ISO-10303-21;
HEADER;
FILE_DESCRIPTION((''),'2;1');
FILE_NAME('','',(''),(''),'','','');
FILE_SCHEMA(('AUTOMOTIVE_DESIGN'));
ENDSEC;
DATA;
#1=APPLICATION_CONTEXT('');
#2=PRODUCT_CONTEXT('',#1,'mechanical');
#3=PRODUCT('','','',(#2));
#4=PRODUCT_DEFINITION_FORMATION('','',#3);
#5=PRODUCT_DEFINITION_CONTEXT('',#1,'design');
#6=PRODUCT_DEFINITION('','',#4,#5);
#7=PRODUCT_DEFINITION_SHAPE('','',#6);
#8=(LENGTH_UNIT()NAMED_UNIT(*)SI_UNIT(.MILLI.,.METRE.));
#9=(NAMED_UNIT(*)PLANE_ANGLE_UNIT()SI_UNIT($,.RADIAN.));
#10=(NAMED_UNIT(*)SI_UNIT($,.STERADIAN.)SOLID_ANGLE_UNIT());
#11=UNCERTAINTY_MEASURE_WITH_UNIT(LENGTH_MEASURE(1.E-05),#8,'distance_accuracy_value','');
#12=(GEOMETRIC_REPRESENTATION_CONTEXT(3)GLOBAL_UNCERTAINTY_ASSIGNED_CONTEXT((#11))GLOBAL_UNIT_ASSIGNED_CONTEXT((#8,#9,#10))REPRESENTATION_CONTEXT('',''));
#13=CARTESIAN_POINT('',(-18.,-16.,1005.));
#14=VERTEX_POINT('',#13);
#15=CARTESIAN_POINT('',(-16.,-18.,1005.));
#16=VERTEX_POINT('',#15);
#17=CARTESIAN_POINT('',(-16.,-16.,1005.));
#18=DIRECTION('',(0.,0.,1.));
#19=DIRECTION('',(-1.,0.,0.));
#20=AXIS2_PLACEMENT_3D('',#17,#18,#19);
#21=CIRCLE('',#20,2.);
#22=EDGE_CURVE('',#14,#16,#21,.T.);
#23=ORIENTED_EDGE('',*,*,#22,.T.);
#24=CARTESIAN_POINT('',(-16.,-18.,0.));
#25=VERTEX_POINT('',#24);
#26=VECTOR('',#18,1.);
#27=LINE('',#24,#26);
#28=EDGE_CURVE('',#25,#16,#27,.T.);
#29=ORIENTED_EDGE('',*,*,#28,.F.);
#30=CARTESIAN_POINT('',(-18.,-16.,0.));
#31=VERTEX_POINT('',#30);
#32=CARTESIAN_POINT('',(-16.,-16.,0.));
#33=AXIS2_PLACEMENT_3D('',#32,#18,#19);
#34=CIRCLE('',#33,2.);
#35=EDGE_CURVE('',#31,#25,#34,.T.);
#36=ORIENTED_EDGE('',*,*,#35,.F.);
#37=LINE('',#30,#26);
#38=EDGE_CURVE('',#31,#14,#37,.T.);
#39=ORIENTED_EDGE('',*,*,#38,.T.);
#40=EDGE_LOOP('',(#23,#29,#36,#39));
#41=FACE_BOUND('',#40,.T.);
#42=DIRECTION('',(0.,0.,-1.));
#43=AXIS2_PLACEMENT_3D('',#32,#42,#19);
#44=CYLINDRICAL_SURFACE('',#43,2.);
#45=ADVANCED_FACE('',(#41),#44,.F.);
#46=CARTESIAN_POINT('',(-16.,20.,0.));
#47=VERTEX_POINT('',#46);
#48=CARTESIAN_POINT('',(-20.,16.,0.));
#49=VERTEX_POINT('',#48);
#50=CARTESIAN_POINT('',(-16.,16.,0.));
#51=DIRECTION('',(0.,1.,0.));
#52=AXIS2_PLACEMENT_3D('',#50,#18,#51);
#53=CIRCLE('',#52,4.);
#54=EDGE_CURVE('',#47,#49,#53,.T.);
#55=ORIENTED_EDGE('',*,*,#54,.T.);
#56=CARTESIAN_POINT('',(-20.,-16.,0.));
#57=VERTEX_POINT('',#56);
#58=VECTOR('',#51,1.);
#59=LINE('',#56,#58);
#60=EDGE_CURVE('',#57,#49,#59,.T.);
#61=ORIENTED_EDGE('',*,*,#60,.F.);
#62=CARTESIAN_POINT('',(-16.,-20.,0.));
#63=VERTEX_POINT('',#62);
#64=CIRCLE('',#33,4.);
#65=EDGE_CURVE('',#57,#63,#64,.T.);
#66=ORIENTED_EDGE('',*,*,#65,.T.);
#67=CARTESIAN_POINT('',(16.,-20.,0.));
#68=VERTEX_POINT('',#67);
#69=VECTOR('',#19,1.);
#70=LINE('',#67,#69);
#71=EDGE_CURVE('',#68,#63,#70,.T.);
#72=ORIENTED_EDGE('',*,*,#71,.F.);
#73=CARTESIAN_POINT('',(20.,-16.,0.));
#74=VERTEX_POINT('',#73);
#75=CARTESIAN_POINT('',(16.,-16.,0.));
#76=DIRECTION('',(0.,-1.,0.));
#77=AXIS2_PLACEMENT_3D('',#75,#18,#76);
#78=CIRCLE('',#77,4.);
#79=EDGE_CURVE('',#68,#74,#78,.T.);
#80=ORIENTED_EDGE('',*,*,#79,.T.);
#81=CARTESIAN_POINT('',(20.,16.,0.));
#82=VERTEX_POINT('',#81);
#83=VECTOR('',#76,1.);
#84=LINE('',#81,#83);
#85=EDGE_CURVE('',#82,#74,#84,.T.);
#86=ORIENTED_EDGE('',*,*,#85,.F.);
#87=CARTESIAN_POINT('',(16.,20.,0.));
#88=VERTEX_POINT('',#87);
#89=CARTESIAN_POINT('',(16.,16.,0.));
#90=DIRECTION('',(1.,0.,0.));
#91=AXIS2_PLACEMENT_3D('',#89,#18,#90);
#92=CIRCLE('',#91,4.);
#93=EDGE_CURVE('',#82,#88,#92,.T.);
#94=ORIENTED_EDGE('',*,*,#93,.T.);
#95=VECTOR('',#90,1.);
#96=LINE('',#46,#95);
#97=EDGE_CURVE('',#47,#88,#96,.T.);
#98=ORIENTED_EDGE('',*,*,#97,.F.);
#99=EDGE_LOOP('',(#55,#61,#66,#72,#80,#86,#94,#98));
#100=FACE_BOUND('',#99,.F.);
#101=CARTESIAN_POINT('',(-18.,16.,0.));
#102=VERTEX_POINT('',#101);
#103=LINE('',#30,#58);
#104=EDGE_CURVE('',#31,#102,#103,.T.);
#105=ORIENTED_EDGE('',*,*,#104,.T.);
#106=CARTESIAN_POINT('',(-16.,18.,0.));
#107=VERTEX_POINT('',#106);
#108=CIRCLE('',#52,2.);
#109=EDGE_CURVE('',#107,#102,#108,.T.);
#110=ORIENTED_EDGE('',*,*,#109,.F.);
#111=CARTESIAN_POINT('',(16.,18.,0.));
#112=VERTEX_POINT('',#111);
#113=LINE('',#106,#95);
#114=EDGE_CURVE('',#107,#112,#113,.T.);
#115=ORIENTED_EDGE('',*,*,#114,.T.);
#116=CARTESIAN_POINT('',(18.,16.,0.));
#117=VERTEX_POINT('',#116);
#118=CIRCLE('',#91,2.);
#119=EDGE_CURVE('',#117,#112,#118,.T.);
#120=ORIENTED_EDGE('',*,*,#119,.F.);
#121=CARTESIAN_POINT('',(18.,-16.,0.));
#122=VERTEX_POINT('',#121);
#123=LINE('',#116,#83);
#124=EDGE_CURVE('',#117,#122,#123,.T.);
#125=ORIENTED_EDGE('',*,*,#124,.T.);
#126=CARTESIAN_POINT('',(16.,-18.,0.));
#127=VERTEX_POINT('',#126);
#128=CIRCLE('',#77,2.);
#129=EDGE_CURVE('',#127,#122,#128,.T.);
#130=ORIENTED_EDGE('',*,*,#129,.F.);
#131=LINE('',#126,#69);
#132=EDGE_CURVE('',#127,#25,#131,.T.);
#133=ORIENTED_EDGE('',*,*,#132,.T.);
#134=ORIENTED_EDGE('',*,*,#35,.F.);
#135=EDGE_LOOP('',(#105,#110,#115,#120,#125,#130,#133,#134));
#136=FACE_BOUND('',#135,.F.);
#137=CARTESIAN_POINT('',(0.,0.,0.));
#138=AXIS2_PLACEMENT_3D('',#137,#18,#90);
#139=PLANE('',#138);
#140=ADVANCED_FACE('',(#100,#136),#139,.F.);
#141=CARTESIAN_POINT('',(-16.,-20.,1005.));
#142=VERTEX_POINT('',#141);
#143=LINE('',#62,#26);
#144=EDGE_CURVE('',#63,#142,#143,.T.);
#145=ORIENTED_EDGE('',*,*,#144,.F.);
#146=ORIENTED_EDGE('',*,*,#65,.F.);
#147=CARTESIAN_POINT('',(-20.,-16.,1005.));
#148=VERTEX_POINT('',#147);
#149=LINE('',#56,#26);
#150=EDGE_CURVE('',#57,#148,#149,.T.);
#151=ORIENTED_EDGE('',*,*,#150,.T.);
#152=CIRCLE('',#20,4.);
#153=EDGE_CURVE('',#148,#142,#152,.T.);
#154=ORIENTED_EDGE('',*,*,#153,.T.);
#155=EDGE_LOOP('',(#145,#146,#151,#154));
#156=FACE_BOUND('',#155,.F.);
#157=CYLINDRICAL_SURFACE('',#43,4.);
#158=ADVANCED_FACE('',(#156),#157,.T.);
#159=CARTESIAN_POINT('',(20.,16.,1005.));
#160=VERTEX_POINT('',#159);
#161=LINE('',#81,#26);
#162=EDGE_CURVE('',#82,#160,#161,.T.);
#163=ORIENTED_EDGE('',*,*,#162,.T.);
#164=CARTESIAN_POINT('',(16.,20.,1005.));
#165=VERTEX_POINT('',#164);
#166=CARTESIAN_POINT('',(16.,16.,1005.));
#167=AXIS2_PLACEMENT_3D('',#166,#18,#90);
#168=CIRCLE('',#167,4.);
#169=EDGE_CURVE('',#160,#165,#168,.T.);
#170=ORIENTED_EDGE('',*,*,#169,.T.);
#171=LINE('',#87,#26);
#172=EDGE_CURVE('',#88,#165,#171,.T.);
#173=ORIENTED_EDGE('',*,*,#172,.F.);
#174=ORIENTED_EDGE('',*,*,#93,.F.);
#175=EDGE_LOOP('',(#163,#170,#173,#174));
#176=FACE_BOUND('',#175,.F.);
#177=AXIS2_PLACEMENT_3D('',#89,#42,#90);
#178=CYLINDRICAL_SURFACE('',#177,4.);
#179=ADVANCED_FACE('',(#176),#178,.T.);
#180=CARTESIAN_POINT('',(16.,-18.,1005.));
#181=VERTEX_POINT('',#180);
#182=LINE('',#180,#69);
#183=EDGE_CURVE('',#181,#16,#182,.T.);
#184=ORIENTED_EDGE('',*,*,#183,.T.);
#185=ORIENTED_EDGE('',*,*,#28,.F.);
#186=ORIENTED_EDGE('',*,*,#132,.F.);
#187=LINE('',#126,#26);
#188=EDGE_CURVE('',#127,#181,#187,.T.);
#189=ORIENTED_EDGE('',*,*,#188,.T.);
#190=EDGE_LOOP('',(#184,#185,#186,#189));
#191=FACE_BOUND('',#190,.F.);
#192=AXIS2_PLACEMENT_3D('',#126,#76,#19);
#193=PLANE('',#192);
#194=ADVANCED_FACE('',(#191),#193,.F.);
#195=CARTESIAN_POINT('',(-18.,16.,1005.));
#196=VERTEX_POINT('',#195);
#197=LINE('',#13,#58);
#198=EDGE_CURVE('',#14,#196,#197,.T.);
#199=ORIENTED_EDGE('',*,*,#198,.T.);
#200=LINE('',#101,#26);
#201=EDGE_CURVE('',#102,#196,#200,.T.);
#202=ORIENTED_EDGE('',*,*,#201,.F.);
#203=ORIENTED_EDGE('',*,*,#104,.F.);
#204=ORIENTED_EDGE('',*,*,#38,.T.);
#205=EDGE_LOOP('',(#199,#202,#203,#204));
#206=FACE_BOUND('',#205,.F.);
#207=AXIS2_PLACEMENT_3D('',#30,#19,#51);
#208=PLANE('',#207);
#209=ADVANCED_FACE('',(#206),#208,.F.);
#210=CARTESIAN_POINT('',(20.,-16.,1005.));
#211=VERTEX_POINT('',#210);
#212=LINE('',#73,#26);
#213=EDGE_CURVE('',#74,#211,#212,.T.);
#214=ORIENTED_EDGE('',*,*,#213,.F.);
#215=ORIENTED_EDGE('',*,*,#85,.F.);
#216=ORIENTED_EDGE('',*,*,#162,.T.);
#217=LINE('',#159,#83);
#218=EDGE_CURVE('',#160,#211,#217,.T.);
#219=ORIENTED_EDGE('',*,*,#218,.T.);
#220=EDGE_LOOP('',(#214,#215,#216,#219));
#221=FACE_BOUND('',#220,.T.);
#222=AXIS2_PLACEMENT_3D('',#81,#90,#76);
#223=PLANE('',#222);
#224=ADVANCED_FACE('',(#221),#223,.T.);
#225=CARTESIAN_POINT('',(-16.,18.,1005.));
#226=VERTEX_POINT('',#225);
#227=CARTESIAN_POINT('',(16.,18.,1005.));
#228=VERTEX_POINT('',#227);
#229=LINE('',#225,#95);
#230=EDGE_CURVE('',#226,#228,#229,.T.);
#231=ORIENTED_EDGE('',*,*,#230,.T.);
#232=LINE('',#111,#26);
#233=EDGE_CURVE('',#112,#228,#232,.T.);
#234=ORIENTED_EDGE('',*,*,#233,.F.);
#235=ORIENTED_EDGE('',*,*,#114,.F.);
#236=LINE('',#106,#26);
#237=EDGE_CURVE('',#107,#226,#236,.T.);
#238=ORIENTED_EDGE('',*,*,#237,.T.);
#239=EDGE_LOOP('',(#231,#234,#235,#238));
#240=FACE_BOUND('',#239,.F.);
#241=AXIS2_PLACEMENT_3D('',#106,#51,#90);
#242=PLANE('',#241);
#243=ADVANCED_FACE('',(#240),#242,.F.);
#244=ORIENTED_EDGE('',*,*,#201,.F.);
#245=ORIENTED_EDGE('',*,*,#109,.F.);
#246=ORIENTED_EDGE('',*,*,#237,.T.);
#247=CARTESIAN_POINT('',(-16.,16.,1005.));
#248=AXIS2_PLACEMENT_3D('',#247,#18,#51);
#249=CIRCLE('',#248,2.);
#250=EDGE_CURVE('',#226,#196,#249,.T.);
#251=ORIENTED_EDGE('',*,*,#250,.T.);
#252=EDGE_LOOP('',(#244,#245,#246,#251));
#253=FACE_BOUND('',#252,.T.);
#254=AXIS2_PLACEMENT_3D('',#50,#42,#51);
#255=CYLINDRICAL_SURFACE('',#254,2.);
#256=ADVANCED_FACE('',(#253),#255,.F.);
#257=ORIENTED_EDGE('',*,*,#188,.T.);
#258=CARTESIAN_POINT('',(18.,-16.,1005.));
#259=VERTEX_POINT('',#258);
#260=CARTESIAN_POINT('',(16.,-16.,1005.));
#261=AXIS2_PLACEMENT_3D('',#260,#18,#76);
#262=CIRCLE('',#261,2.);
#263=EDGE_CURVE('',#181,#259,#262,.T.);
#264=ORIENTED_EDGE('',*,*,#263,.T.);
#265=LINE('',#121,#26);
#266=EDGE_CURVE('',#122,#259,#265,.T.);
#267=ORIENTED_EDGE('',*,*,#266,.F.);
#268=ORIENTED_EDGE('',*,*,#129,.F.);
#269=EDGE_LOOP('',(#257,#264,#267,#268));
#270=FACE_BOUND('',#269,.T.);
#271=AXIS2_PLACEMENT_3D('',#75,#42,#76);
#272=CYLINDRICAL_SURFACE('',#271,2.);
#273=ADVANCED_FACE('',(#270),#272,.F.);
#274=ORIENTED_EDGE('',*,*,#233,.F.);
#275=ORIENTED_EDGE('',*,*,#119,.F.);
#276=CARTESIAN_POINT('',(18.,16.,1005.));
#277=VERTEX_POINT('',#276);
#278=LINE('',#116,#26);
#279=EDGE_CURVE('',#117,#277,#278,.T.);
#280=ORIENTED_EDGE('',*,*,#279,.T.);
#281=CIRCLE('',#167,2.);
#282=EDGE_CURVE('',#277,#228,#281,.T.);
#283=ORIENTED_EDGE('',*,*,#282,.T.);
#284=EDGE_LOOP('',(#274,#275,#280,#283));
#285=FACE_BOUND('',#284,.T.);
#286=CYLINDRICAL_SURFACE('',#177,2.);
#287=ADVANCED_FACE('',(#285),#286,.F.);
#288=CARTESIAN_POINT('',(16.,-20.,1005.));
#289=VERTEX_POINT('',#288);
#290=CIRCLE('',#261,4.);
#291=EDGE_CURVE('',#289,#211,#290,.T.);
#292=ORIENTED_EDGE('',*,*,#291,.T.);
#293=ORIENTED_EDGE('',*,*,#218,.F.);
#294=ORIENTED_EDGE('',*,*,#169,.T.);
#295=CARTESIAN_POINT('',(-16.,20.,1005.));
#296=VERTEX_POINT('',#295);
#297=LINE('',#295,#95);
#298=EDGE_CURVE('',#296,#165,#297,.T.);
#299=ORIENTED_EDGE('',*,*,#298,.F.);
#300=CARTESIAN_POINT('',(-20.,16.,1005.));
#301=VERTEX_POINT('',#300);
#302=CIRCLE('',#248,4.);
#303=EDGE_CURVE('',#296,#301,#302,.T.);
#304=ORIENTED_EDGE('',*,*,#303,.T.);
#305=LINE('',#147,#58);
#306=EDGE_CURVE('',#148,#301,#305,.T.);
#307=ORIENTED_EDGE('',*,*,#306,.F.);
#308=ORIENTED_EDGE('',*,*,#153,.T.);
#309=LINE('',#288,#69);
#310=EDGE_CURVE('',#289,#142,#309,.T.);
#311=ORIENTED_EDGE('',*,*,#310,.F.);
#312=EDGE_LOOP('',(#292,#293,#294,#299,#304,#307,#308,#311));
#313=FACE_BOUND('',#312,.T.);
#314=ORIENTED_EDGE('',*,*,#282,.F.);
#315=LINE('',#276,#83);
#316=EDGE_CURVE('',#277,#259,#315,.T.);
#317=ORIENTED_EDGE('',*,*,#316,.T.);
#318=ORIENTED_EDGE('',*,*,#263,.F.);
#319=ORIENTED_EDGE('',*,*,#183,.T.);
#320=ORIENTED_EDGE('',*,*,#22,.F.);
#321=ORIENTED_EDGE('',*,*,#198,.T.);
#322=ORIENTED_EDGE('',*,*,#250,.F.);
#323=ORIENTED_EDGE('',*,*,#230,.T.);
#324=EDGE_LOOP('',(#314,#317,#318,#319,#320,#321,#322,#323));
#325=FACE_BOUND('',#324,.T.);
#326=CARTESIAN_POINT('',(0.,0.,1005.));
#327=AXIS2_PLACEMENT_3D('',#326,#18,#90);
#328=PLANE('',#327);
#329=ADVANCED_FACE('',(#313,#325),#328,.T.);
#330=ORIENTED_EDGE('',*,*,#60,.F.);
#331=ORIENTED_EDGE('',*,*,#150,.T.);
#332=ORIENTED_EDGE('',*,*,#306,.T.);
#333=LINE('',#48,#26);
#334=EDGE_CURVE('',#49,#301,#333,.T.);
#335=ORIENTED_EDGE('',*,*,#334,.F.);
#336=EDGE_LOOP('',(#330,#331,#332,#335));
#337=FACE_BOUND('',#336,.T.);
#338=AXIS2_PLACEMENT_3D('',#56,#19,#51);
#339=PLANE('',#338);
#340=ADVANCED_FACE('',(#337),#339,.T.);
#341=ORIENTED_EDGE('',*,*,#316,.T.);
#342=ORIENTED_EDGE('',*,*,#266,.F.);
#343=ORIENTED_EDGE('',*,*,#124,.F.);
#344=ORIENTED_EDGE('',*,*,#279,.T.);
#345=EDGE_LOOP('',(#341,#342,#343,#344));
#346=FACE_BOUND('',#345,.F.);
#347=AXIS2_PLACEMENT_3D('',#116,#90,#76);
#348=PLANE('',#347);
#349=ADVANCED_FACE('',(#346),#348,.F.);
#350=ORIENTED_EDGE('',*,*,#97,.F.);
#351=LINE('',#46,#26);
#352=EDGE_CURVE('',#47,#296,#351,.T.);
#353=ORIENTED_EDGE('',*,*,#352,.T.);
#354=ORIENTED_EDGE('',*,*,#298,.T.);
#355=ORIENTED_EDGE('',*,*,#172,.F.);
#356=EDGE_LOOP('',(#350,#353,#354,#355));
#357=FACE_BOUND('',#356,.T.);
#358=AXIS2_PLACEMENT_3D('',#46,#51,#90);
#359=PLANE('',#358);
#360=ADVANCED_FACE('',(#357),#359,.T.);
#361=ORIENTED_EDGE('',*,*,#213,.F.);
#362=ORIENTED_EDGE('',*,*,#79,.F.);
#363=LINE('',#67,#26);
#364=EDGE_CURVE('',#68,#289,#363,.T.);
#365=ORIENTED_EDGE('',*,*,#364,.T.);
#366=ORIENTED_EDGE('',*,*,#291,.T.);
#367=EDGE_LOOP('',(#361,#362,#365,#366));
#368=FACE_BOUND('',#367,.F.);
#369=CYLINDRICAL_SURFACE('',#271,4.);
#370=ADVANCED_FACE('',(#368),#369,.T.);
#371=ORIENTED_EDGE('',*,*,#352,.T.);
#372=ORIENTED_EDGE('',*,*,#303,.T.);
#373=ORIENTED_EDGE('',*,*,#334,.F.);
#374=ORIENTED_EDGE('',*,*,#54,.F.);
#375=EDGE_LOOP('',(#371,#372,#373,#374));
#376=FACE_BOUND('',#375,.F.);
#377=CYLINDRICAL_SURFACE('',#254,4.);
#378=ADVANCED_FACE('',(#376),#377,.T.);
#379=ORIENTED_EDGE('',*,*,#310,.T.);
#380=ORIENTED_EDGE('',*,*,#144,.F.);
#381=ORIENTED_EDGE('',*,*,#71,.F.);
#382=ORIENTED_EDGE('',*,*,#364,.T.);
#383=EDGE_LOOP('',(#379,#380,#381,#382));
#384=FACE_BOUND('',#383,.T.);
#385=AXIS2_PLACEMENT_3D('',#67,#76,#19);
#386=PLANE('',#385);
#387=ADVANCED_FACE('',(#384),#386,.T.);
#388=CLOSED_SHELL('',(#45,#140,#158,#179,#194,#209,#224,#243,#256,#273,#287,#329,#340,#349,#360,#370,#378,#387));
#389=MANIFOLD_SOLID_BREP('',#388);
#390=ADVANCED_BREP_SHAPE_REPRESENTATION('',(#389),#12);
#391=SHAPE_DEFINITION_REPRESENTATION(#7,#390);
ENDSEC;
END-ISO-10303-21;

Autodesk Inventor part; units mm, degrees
ref_plane "YZ Plane" through (0, 0, 0) normal (1, 0, 0) x (0, 1, 0)
ref_plane "Start Plane" through (0, 0, 0) normal (0, 0, 1) x (1, 0, 0)
ref_plane "End Plane" through (0, 0, 1005) normal (0, 0, 1) x (1, 0, 0)
sketch "Sketch" plane through (0, 0, 0) normal (0, 0, 1) x (1, 0, 0)
  line L0 (-20, -16) -> (-20, 16)
  line L1 (-16, 20) -> (16, 20)
  line L2 (20, 16) -> (20, -16)
  line L3 (16, -20) -> (-16, -20)
  arc A0 (-20, -16) -> (-16, -20) centre (-16, -16) ccw
  arc A1 (20, 16) -> (16, 20) centre (16, 16) ccw
  arc A2 (-16, 20) -> (-20, 16) centre (-16, 16) ccw
  arc A3 (16, -20) -> (20, -16) centre (16, -16) ccw
  arc A4 (-16, 18) -> (-18, 16) centre (-16, 16) ccw
  line L4 (-16, 18) -> (16, 18)
  arc A5 (18, 16) -> (16, 18) centre (16, 16) ccw
  line L5 (18, 16) -> (18, -16)
  arc A6 (16, -18) -> (18, -16) centre (16, -16) ccw
  line L6 (16, -18) -> (-16, -18)
  arc A7 (-18, -16) -> (-16, -18) centre (-16, -16) ccw
  line L7 (-18, -16) -> (-18, 16)
  line L8 (0, 29.1598) -> (0, -29.1598) construction
  line L9 (-29.1598, 0) -> (29.1598, 0) construction
  dimension "d7" = 4
  dimension "d9" = 40
  dimension "d11" = 40
  dimension "d12" = 2
  dimension "d15" = 20
  dimension "d16" = 20
extrude "Body" add sketch "Sketch" along normal up to surface (1005 mm away) from surface at 0
sketch "Sketch3" plane through (0, 0, 0) normal (0, 0, 1) x (1, 0, 0)
  line L0 (0, 0) -> (10, 0)
ref_plane "Work Plane3" through (0, 0, 0) normal (0, -1, 0) x (1, 0, 0)
sketch "Sketch4" plane through (0, 0, 0) normal (0, -1, 0) x (1, 0, 0)
  line L0 (-2, 0) -> (12, 0) projected
  line L1 (-2, 1005) -> (12, 1005) projected
  dimension "d18" = 1005
equation "\"d7\" = G_IR"
equation "\"d9\" = G_W"
equation "\"d11\" = G_H"
equation "\"d12\" = G_T"
equation "\"d15\" = 0.5 * d9"
equation "\"d16\" = 0.5 * d11"
equation "\"d3\" = G_L"
equation "\"G_W\" = 40"
equation "\"G_H\" = 40"
equation "\"G_T\" = 2"
equation "\"G_IR\" = 4"
equation "\"G_L\" = d18"
equation "\"G_OFFSET_START\" = 0"
equation "\"G_OFFSET_END\" = 0"
equation "\"d14\" = G_OFFSET_END + B_L"
equation "\"B_L\" = 1005"
properties part number "ISO 10799-2 - 40x40x2 - 1005" material "Steel, Mild"
